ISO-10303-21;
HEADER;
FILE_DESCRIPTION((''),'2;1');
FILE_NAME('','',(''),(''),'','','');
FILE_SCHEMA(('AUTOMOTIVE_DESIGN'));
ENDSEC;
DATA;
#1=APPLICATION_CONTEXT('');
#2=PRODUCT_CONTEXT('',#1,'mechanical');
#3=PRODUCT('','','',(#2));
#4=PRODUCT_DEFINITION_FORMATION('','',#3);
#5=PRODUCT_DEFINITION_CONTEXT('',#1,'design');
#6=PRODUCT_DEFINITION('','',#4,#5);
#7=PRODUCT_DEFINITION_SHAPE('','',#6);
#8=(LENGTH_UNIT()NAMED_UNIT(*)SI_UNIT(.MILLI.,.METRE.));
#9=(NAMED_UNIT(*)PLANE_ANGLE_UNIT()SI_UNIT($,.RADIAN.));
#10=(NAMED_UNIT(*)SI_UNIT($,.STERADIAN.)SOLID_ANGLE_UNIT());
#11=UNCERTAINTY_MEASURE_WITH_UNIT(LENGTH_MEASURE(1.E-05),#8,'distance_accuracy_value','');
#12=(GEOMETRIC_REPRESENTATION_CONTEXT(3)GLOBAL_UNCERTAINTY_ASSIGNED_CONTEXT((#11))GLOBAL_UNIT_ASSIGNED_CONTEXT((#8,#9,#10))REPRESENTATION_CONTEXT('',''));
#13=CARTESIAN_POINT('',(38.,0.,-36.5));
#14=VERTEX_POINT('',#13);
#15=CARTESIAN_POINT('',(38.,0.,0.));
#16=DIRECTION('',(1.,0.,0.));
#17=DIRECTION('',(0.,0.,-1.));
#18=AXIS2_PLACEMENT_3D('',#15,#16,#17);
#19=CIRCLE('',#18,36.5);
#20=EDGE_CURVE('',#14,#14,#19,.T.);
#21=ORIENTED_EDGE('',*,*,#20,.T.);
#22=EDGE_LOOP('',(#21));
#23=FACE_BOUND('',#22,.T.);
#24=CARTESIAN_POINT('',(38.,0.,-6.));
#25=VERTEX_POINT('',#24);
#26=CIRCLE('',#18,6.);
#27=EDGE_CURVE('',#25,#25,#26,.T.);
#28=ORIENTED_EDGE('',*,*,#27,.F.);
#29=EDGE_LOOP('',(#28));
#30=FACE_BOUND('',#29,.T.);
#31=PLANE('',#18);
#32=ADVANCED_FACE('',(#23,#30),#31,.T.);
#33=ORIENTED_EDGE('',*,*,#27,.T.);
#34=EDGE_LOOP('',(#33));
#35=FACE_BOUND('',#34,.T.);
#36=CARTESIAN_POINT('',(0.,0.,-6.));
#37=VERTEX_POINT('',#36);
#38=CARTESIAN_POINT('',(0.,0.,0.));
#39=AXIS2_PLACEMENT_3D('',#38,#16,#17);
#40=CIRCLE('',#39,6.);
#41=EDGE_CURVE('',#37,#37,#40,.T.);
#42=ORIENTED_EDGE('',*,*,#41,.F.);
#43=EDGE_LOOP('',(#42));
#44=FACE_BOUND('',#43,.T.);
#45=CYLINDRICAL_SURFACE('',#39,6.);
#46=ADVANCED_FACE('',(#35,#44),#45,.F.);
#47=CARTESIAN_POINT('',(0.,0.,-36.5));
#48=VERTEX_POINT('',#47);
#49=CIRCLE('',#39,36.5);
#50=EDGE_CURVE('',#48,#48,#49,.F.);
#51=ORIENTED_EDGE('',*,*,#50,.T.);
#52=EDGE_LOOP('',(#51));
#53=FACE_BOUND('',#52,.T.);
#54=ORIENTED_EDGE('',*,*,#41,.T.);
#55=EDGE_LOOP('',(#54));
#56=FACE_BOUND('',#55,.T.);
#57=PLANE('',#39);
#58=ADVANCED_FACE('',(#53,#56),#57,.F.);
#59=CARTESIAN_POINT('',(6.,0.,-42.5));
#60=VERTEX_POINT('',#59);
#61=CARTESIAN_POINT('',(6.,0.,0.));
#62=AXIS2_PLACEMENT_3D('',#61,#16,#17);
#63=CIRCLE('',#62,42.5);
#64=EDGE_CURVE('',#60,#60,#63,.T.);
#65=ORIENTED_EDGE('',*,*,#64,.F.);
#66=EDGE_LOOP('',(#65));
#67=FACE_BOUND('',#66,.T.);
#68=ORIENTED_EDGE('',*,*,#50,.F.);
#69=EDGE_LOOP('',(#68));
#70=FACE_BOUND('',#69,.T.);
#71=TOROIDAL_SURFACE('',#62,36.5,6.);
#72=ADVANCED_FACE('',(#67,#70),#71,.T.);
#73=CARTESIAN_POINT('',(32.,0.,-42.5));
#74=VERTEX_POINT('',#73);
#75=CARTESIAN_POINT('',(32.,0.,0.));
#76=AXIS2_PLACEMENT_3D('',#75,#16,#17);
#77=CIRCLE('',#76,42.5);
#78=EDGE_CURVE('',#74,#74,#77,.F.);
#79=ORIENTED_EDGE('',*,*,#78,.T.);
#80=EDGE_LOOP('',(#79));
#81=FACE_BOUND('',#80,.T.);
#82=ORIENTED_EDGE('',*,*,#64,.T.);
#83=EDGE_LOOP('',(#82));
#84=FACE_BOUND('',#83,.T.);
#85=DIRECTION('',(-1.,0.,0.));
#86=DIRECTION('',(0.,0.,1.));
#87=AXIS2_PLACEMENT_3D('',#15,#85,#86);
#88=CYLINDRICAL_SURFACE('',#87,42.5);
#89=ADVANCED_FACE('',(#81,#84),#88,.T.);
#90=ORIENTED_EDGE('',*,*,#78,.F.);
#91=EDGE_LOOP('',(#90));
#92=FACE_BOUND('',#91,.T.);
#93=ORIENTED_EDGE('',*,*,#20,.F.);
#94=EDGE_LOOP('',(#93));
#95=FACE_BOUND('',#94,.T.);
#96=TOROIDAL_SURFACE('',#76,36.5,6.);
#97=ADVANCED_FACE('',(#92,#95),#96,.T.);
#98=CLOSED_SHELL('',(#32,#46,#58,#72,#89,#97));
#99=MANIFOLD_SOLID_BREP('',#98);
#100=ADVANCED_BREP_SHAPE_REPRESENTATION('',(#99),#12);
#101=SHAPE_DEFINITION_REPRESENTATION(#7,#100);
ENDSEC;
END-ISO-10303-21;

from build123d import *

# Parameters (mm, degrees)
SKETCH1_R           = 42.5
BOSS_EXTRUDE1_DEPTH = 38
FILLET2_R           = 6
SKETCH2_R           = 6
CUT_EXTRUDE2_DEPTH  = 38


with BuildPart() as part:
    # Sketch1 → Boss-Extrude1 (new body)
    with BuildSketch(Plane(origin=(0, 0, 0), x_dir=(0, 0, -1), z_dir=(1, 0, 0))):
        Circle(SKETCH1_R)
    extrude(amount=BOSS_EXTRUDE1_DEPTH)

    # Fillet2
    fillet2_edges = [part.edges().sort_by_distance(p)[0] for p in [
        (0, 0, 42.5),
        (38, 0, 42.5),
    ]]
    fillet(fillet2_edges, radius=FILLET2_R)

    # Sketch2 → Cut-Extrude2 (cut)
    with BuildSketch(Plane(origin=(38, 0, 0), x_dir=(0, 0, -1), z_dir=(1, 0, 0))):
        Circle(SKETCH2_R)
    extrude(amount=-CUT_EXTRUDE2_DEPTH, mode=Mode.SUBTRACT)


solid = part.part
